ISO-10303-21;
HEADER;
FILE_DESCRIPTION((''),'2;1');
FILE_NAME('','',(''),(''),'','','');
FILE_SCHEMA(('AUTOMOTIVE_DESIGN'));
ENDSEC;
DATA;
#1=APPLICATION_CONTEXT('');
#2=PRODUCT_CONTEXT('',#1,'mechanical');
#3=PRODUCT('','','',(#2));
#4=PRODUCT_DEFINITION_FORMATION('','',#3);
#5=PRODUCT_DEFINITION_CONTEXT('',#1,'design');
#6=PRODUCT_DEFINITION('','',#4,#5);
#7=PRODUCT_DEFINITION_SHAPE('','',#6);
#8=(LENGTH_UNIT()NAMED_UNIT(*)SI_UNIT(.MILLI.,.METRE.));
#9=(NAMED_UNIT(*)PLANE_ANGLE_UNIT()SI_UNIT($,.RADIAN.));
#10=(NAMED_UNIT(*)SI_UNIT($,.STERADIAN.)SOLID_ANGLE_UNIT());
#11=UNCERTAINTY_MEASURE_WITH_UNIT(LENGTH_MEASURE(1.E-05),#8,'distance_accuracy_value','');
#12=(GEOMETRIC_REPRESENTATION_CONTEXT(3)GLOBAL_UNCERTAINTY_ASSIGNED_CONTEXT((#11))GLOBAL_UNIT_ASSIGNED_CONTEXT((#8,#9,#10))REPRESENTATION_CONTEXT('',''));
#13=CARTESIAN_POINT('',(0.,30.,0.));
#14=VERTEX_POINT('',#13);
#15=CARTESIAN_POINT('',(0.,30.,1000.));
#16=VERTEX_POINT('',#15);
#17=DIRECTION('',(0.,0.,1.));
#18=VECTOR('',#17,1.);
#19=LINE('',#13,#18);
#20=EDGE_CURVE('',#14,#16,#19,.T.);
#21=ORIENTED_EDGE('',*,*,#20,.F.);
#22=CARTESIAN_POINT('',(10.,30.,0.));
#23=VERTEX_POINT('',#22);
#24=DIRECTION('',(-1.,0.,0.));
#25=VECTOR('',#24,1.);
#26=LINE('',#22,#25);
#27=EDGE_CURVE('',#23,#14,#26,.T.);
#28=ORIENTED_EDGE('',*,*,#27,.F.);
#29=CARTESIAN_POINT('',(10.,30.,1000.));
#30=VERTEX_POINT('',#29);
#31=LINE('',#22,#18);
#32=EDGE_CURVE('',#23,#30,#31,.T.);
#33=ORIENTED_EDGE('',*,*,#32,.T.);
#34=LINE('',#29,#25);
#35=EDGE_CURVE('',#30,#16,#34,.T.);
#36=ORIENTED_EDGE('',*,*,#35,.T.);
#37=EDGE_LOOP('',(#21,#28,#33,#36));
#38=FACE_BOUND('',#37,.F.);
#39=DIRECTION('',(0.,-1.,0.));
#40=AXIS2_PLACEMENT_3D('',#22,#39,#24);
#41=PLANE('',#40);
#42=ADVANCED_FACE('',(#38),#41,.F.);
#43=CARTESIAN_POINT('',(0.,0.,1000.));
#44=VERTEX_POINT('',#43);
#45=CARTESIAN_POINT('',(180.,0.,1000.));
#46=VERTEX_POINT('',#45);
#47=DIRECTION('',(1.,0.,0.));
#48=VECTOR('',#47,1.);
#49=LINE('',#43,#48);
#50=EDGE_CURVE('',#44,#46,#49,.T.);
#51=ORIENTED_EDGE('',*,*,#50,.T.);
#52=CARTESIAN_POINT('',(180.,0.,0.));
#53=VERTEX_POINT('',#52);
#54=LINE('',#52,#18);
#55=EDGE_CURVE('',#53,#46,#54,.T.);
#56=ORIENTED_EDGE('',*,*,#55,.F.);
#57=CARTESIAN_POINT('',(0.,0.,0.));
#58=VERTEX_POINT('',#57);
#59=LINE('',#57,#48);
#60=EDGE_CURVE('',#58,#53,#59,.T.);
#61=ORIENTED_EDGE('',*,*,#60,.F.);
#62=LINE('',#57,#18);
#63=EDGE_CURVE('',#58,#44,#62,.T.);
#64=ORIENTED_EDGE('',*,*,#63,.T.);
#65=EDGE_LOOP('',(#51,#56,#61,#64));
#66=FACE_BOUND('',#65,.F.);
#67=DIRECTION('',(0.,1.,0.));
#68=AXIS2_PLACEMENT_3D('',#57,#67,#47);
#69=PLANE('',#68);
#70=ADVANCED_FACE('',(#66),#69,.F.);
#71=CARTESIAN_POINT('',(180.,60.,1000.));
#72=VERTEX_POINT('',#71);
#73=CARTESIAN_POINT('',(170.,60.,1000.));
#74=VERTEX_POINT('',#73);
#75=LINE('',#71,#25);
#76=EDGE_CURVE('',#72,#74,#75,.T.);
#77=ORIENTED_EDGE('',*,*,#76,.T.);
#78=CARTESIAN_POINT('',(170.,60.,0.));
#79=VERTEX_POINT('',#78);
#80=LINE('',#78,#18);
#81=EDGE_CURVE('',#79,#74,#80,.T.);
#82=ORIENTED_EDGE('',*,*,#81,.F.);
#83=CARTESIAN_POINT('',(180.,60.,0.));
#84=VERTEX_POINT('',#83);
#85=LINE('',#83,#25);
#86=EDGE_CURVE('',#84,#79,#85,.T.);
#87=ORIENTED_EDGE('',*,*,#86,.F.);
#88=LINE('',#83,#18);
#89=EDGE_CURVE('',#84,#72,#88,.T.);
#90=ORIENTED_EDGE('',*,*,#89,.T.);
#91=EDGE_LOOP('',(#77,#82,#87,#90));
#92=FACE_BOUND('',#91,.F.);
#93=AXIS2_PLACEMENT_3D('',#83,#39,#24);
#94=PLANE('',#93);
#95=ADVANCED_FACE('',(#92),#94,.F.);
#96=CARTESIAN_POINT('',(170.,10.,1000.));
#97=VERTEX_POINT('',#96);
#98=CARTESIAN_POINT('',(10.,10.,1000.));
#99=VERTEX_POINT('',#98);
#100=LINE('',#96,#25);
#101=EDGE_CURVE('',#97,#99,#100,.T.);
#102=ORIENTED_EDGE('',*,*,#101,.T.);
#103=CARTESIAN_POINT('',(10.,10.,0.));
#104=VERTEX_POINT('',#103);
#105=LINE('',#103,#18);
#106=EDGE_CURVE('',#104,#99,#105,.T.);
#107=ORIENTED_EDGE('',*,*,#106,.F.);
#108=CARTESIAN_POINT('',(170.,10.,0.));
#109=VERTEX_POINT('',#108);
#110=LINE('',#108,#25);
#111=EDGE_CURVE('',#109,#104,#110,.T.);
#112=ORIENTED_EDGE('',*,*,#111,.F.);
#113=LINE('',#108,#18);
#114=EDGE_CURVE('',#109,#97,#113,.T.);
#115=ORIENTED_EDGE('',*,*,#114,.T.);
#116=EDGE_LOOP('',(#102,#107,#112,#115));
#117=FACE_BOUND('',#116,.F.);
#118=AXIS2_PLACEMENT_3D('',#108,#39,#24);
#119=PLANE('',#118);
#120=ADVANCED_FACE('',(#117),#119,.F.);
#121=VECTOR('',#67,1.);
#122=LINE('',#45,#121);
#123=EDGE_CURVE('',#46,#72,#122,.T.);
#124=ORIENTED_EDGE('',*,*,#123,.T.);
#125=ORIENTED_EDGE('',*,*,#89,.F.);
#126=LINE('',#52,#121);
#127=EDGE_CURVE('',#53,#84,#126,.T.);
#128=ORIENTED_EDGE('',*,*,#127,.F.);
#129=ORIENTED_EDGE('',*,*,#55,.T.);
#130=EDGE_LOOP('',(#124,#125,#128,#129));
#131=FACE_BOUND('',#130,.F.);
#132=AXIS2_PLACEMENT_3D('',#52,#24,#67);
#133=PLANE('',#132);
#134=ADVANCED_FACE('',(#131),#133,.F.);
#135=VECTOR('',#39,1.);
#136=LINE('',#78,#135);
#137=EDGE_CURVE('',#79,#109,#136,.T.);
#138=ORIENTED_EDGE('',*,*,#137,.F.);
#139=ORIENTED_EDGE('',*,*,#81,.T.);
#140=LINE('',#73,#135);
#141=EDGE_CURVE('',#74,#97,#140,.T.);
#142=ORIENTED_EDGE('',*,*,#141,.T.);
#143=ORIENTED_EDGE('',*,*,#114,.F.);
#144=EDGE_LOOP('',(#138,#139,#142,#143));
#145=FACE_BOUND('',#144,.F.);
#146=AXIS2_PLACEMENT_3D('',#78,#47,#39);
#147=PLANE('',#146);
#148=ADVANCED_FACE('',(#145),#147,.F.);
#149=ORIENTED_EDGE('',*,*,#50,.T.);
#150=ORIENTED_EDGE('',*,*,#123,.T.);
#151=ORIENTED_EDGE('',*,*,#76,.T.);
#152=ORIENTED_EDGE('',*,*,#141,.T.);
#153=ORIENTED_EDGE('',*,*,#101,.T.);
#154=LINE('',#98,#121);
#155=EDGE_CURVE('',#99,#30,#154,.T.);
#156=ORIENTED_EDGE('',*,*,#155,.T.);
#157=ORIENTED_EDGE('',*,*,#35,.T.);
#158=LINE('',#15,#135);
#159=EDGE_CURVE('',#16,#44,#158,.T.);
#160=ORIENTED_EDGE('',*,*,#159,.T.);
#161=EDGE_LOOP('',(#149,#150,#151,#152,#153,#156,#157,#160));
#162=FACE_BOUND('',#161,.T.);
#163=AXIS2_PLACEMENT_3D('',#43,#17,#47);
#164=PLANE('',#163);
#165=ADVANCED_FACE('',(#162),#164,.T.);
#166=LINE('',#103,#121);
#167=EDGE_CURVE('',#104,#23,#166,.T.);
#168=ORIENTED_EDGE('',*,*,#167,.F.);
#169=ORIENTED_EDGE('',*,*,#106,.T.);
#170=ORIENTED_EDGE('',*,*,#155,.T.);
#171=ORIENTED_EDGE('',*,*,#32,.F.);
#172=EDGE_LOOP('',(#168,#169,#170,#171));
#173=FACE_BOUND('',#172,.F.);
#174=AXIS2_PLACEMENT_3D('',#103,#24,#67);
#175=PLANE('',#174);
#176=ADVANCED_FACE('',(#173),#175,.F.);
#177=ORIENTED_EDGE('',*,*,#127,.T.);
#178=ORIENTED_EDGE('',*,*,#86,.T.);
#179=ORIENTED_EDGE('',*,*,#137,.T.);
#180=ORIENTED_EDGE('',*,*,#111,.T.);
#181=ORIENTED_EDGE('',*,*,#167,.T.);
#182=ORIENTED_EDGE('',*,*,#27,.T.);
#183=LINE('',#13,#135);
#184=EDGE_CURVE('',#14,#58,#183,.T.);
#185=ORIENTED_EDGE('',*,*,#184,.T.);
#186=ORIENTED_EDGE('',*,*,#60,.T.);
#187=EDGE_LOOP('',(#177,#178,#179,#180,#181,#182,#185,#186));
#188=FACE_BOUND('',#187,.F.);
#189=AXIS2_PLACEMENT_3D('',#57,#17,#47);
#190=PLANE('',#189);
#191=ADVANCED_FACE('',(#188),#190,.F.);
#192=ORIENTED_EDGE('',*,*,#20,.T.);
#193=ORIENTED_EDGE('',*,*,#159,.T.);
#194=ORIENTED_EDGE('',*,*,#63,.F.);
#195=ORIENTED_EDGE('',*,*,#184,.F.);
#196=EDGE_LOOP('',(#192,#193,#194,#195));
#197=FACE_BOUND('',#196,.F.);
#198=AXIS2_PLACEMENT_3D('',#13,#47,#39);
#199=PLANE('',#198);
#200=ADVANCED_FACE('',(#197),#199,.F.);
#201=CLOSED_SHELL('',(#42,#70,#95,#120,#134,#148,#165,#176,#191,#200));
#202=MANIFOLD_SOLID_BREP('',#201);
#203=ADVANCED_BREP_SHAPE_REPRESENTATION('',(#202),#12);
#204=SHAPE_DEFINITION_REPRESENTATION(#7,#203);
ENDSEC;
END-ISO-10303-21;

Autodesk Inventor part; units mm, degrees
ref_plane "YZ Plane" through (0, 0, 0) normal (1, 0, 0) x (0, 1, 0)
ref_plane "XZ Plane" through (0, 0, 0) normal (0, 1, 0) x (-1, 0, 0)
ref_plane "XY Plane" through (0, 0, 0) normal (0, 0, 1) x (1, 0, 0)
sketch "Esboço1" plane through (0, 0, 0) normal (0, 0, 1) x (1, 0, 0)
  line L0 (0, 0) -> (180, 0)
  line L1 (180, 0) -> (180, 60)
  line L2 (180, 60) -> (170, 60)
  line L3 (170, 60) -> (170, 10)
  line L4 (170, 10) -> (10, 10)
  line L5 (10, 10) -> (10, 30)
  line L6 (10, 30) -> (0, 30)
  line L7 (0, 30) -> (0, 0)
  dimension "d0" = 180
  dimension "d1" = 10
  dimension "d2" = 60
  dimension "d3" = 10
  dimension "d4" = 10
  dimension "d5" = 30
extrude "Extrusão1" add sketch "Esboço1" along normal blind 1000
properties part number "trocador1" material "Ouro"
